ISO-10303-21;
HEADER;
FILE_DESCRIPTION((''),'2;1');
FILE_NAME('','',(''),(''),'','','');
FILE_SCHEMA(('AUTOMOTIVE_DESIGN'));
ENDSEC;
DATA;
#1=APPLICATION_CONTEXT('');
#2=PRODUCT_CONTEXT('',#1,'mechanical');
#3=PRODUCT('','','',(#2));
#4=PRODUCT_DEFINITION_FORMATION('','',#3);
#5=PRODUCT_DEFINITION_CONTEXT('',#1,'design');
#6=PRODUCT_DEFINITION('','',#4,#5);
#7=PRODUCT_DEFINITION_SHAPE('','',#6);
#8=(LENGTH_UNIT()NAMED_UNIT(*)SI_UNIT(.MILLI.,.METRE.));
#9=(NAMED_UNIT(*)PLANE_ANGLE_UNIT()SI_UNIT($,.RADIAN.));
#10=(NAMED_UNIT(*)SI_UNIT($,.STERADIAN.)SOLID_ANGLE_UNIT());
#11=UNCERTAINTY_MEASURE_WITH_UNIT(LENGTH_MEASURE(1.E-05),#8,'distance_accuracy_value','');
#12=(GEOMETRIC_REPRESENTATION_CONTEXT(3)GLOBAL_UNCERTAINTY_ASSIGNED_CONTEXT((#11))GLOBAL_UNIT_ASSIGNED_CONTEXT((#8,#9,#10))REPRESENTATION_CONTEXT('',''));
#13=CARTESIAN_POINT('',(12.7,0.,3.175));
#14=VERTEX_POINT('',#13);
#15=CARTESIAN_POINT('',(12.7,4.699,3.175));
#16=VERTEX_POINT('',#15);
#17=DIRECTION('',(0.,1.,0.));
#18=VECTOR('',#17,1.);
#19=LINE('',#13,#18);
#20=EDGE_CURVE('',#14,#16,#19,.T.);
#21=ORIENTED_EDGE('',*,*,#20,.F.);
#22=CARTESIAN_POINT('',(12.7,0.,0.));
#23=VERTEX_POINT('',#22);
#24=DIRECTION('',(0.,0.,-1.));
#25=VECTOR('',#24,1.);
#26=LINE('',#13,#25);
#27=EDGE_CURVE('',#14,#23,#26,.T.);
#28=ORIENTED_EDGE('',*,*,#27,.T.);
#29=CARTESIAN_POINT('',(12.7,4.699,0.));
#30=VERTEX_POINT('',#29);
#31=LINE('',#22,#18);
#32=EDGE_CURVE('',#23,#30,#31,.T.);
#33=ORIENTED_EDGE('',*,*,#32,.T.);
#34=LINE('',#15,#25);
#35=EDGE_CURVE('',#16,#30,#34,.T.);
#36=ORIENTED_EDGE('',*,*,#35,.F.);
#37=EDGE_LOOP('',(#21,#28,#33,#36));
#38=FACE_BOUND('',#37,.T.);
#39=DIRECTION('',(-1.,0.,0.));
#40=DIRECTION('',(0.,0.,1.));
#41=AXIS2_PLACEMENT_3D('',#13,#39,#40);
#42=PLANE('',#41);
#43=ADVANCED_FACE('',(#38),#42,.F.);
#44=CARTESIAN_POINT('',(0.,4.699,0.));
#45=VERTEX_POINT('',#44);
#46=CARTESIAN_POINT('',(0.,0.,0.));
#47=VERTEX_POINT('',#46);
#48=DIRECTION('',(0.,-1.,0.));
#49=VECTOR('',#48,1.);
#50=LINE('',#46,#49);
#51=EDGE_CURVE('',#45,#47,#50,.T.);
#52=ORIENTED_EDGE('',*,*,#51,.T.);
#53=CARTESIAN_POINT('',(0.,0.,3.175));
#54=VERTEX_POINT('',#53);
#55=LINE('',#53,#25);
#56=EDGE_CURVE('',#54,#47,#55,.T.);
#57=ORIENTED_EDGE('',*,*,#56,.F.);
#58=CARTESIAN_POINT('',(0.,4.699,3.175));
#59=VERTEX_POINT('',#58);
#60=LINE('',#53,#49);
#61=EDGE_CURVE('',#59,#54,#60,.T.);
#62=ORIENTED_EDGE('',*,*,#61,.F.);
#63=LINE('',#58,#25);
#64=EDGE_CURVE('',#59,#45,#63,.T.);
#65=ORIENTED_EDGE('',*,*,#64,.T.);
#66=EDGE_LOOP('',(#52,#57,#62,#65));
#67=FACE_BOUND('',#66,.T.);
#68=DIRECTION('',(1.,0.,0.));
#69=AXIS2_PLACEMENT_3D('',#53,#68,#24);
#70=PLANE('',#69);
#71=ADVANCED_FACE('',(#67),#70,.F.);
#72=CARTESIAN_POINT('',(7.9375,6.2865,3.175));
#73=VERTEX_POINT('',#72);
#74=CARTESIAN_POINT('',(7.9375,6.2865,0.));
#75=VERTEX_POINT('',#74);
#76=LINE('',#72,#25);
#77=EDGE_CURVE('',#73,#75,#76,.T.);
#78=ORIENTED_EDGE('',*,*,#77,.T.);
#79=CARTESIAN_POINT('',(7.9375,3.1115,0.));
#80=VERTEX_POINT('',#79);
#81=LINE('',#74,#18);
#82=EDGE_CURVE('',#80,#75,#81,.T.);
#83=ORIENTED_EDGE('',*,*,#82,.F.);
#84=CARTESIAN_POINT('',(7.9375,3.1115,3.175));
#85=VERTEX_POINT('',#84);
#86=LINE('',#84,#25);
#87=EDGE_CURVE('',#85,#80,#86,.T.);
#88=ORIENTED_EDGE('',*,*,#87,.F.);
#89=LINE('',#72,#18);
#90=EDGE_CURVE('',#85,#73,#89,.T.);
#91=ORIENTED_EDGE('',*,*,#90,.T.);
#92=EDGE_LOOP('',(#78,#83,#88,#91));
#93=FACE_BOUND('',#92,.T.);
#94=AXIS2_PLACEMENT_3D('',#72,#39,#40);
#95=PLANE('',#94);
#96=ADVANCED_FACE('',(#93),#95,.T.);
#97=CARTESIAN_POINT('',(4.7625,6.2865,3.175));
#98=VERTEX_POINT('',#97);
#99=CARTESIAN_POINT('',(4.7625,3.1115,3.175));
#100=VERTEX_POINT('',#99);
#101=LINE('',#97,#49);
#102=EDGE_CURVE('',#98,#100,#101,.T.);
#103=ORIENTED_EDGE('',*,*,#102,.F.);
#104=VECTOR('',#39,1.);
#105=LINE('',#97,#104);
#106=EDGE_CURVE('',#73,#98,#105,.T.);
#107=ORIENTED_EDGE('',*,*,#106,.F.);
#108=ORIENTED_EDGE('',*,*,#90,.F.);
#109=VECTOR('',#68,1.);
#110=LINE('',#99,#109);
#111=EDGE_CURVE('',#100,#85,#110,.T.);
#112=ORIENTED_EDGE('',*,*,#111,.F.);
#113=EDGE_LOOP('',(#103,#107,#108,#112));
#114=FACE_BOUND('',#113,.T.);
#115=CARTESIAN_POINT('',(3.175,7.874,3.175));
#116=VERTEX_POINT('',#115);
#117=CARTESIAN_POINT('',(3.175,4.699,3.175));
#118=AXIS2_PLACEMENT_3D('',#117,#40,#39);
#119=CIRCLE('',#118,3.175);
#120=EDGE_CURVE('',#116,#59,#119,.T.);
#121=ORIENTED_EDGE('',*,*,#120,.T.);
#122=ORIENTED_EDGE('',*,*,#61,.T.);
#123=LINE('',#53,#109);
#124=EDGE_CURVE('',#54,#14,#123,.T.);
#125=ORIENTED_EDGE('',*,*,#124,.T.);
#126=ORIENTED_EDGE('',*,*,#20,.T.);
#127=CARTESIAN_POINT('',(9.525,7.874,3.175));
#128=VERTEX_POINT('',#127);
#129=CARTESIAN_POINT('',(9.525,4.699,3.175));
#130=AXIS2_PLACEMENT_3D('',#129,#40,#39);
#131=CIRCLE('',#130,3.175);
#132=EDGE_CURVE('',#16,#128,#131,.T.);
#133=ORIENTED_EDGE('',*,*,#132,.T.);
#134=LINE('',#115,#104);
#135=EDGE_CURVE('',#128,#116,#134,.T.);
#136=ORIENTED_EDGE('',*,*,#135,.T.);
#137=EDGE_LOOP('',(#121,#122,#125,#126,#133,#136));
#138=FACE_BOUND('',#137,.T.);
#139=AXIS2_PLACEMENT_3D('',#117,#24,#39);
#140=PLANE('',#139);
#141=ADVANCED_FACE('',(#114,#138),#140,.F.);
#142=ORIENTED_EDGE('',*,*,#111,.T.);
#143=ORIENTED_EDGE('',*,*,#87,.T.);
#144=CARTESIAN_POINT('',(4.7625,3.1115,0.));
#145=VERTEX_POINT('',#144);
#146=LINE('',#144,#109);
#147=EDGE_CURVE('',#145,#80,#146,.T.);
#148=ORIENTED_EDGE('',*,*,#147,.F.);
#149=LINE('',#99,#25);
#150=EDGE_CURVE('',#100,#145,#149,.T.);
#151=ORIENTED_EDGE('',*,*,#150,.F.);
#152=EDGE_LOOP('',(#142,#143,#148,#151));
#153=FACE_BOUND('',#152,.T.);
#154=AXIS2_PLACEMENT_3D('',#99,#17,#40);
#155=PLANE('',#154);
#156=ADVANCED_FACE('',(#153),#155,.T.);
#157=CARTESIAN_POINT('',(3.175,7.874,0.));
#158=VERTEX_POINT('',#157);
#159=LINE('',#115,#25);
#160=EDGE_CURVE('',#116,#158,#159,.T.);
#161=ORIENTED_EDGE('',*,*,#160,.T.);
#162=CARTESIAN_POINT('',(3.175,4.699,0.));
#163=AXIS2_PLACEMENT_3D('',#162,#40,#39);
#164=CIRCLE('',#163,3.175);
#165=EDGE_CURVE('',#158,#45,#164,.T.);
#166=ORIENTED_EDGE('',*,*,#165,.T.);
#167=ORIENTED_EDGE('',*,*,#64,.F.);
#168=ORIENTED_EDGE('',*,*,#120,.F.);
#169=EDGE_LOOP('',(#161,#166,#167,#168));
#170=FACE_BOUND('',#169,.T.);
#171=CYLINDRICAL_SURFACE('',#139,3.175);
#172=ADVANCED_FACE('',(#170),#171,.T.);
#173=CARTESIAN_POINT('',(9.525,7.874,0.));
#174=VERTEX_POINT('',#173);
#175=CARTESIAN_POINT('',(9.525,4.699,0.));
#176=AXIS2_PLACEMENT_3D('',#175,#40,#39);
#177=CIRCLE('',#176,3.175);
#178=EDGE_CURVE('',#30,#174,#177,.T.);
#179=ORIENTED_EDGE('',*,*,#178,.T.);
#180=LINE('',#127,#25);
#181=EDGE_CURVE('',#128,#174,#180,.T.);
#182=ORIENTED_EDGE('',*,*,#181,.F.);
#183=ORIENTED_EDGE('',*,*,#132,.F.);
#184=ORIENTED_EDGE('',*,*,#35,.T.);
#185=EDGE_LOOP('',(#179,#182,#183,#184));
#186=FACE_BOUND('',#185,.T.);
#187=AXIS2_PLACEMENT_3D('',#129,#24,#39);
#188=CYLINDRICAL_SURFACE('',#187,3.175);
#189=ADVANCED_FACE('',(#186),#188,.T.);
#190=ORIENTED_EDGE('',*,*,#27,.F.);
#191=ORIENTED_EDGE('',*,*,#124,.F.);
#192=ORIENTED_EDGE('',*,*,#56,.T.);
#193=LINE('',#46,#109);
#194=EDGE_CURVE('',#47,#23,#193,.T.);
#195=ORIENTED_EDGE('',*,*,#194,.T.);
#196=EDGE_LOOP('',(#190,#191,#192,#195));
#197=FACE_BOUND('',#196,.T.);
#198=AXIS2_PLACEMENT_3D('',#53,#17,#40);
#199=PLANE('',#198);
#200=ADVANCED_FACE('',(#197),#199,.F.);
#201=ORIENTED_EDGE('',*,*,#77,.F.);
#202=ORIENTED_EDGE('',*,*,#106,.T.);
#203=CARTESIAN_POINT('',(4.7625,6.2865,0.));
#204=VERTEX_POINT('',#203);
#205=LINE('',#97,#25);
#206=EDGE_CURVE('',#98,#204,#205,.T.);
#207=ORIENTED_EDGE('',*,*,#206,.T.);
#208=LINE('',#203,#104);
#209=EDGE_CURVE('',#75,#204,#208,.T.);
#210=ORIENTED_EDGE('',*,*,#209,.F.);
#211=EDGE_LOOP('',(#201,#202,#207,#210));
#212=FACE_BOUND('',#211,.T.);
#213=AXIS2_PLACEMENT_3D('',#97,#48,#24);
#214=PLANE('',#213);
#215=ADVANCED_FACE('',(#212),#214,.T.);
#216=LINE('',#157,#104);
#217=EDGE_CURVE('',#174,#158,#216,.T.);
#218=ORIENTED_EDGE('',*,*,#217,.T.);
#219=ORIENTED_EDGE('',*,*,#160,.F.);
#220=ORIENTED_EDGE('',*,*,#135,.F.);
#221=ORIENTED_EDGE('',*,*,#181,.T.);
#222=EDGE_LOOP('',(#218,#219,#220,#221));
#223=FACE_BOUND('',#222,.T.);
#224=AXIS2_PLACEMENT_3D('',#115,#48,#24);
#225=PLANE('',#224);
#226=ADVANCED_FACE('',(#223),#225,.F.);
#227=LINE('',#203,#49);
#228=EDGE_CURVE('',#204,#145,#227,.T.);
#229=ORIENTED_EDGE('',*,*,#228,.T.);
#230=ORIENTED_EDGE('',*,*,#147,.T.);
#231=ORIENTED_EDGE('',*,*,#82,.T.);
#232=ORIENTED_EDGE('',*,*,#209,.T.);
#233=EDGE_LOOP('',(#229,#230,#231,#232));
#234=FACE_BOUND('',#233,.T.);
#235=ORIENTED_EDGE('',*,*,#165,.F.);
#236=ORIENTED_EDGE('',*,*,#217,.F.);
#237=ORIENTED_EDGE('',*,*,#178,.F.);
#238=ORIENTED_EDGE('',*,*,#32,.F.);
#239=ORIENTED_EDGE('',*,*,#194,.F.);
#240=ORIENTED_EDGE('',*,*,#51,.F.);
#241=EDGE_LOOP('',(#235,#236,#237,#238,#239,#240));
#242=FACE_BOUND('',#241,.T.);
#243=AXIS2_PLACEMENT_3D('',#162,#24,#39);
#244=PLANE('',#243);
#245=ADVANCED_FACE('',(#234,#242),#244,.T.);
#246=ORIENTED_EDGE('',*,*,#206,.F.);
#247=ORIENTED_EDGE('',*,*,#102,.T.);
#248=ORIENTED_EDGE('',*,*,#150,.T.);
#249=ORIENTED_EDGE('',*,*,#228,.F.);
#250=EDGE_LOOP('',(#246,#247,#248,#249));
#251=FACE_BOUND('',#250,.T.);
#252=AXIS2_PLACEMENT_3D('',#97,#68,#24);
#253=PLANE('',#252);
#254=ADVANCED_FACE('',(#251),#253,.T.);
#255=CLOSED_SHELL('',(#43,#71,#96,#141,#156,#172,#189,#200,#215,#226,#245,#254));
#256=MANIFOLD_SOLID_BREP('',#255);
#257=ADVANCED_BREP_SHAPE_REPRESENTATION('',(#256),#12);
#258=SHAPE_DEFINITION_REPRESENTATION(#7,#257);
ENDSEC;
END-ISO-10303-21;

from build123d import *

# Parameters (mm, degrees)
SKETCH1_W           = 3.175
SKETCH1_H           = 3.175
BOSS_EXTRUDE1_DEPTH = 3.175


with BuildPart() as part:
    # Sketch1 → Boss-Extrude1 (new body)
    with BuildSketch(Plane.XY):
        with BuildLine():
            Line((0, 0), (12.7, 0))
            Line((12.7, 0), (12.7, 4.699))
            ThreePointArc((12.7, 4.699), (11.77006403, 6.94406403), (9.525, 7.874))
            Line((9.525, 7.874), (3.175, 7.874))
            ThreePointArc((3.175, 7.874), (0.92993597, 6.94406403), (0, 4.699))
            Line((0, 4.699), (0, 0))
        make_face()
        with Locations((6.35, 4.699)):
            Rectangle(SKETCH1_W, SKETCH1_H, mode=Mode.SUBTRACT)
    extrude(amount=BOSS_EXTRUDE1_DEPTH)


solid = part.part
